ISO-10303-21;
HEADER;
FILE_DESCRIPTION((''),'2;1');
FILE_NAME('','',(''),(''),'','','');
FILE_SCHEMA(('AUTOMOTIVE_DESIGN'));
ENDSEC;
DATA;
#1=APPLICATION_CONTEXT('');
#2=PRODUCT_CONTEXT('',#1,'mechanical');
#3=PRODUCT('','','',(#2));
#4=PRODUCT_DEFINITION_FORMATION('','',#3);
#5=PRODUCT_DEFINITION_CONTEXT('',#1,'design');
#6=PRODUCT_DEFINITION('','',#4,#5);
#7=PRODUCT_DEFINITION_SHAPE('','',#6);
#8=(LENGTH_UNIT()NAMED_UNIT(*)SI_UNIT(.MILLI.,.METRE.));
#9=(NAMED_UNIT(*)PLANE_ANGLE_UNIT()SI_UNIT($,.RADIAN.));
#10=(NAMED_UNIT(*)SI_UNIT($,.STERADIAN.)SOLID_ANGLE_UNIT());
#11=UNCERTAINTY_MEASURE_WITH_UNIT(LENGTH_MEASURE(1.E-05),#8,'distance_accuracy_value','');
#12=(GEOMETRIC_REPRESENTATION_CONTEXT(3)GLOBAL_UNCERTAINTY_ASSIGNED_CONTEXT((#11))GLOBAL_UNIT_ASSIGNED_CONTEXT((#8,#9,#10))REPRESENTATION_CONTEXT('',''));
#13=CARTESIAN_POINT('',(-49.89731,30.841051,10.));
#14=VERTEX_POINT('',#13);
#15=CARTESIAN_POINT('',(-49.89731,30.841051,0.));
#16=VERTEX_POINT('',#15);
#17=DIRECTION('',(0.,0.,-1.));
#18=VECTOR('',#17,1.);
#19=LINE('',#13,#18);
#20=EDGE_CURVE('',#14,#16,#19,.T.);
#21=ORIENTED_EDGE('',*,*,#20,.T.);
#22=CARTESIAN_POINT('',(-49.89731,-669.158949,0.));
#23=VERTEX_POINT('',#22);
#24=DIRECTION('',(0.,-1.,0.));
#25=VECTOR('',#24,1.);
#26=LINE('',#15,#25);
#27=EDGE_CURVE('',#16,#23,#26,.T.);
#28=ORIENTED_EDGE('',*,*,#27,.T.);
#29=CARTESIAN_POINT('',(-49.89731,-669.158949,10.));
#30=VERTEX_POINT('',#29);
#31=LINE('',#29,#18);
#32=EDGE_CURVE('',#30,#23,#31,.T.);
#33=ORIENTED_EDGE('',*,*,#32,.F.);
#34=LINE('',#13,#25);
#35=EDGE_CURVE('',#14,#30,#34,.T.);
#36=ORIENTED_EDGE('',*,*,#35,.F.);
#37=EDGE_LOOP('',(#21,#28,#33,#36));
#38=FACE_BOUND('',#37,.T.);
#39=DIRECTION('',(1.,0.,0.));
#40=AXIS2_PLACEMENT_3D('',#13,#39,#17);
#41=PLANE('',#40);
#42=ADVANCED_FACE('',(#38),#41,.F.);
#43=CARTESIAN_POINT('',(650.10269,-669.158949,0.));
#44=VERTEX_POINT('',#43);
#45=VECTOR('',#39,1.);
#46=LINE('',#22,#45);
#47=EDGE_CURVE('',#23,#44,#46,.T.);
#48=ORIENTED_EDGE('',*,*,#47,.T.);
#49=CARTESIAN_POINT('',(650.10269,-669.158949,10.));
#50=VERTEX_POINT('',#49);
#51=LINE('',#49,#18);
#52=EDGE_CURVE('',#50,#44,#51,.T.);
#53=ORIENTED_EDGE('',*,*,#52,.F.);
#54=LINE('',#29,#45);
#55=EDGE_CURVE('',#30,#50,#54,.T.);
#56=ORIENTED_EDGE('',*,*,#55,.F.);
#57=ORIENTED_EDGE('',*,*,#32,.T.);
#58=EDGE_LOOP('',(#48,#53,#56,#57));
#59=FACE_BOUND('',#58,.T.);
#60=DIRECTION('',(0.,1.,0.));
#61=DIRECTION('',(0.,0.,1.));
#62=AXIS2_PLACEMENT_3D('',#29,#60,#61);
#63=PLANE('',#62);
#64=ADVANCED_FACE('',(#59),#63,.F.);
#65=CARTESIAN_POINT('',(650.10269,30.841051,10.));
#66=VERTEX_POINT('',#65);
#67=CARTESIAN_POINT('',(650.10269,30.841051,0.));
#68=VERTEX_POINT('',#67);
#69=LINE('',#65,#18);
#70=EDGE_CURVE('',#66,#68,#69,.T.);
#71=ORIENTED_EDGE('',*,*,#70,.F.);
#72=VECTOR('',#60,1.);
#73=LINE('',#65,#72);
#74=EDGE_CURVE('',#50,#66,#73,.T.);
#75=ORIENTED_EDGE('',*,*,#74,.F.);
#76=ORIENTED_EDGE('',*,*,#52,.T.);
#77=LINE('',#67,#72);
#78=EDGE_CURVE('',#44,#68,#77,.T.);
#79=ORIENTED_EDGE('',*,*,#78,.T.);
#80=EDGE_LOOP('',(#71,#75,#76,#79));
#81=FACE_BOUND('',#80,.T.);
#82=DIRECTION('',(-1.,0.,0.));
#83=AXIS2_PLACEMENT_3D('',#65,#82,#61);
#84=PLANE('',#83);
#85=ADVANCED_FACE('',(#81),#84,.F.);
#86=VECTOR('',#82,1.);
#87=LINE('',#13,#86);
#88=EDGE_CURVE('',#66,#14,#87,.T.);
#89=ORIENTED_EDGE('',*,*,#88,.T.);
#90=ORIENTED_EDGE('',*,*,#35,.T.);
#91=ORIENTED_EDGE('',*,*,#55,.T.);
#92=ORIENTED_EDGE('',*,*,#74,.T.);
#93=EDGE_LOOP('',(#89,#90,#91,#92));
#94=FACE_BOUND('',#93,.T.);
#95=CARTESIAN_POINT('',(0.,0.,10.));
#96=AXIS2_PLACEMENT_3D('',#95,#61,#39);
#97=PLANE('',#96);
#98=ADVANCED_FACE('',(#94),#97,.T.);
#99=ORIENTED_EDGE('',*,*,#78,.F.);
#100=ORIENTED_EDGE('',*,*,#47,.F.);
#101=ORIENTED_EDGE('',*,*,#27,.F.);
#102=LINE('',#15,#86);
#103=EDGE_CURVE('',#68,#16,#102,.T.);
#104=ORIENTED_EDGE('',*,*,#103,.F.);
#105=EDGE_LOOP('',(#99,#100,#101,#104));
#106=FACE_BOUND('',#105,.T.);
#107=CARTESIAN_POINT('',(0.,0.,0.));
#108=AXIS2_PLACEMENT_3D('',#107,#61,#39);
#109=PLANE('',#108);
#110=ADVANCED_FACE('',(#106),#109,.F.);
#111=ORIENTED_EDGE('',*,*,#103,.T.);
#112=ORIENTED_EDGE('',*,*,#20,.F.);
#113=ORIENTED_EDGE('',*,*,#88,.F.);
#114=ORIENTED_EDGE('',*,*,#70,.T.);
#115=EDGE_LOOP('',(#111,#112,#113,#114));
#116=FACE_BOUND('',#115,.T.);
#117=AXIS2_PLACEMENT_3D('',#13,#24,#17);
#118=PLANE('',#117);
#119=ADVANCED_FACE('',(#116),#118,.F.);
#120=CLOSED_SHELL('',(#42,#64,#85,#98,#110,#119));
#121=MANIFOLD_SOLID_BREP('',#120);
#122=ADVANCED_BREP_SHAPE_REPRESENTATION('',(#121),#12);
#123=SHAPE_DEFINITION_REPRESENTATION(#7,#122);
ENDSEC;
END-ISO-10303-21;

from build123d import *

# Parameters (mm, degrees)
SKETCH_1_W      = 700
SKETCH_1_H      = 700
EXTRUDE_1_DEPTH = 10


with BuildPart() as part:
    # 草图1 → 凸台-拉伸1 (new body)
    with BuildSketch(Plane.XY):
        with Locations((300.102689699, -319.158948909)):
            Rectangle(SKETCH_1_W, SKETCH_1_H)
    extrude(amount=EXTRUDE_1_DEPTH)


solid = part.part
